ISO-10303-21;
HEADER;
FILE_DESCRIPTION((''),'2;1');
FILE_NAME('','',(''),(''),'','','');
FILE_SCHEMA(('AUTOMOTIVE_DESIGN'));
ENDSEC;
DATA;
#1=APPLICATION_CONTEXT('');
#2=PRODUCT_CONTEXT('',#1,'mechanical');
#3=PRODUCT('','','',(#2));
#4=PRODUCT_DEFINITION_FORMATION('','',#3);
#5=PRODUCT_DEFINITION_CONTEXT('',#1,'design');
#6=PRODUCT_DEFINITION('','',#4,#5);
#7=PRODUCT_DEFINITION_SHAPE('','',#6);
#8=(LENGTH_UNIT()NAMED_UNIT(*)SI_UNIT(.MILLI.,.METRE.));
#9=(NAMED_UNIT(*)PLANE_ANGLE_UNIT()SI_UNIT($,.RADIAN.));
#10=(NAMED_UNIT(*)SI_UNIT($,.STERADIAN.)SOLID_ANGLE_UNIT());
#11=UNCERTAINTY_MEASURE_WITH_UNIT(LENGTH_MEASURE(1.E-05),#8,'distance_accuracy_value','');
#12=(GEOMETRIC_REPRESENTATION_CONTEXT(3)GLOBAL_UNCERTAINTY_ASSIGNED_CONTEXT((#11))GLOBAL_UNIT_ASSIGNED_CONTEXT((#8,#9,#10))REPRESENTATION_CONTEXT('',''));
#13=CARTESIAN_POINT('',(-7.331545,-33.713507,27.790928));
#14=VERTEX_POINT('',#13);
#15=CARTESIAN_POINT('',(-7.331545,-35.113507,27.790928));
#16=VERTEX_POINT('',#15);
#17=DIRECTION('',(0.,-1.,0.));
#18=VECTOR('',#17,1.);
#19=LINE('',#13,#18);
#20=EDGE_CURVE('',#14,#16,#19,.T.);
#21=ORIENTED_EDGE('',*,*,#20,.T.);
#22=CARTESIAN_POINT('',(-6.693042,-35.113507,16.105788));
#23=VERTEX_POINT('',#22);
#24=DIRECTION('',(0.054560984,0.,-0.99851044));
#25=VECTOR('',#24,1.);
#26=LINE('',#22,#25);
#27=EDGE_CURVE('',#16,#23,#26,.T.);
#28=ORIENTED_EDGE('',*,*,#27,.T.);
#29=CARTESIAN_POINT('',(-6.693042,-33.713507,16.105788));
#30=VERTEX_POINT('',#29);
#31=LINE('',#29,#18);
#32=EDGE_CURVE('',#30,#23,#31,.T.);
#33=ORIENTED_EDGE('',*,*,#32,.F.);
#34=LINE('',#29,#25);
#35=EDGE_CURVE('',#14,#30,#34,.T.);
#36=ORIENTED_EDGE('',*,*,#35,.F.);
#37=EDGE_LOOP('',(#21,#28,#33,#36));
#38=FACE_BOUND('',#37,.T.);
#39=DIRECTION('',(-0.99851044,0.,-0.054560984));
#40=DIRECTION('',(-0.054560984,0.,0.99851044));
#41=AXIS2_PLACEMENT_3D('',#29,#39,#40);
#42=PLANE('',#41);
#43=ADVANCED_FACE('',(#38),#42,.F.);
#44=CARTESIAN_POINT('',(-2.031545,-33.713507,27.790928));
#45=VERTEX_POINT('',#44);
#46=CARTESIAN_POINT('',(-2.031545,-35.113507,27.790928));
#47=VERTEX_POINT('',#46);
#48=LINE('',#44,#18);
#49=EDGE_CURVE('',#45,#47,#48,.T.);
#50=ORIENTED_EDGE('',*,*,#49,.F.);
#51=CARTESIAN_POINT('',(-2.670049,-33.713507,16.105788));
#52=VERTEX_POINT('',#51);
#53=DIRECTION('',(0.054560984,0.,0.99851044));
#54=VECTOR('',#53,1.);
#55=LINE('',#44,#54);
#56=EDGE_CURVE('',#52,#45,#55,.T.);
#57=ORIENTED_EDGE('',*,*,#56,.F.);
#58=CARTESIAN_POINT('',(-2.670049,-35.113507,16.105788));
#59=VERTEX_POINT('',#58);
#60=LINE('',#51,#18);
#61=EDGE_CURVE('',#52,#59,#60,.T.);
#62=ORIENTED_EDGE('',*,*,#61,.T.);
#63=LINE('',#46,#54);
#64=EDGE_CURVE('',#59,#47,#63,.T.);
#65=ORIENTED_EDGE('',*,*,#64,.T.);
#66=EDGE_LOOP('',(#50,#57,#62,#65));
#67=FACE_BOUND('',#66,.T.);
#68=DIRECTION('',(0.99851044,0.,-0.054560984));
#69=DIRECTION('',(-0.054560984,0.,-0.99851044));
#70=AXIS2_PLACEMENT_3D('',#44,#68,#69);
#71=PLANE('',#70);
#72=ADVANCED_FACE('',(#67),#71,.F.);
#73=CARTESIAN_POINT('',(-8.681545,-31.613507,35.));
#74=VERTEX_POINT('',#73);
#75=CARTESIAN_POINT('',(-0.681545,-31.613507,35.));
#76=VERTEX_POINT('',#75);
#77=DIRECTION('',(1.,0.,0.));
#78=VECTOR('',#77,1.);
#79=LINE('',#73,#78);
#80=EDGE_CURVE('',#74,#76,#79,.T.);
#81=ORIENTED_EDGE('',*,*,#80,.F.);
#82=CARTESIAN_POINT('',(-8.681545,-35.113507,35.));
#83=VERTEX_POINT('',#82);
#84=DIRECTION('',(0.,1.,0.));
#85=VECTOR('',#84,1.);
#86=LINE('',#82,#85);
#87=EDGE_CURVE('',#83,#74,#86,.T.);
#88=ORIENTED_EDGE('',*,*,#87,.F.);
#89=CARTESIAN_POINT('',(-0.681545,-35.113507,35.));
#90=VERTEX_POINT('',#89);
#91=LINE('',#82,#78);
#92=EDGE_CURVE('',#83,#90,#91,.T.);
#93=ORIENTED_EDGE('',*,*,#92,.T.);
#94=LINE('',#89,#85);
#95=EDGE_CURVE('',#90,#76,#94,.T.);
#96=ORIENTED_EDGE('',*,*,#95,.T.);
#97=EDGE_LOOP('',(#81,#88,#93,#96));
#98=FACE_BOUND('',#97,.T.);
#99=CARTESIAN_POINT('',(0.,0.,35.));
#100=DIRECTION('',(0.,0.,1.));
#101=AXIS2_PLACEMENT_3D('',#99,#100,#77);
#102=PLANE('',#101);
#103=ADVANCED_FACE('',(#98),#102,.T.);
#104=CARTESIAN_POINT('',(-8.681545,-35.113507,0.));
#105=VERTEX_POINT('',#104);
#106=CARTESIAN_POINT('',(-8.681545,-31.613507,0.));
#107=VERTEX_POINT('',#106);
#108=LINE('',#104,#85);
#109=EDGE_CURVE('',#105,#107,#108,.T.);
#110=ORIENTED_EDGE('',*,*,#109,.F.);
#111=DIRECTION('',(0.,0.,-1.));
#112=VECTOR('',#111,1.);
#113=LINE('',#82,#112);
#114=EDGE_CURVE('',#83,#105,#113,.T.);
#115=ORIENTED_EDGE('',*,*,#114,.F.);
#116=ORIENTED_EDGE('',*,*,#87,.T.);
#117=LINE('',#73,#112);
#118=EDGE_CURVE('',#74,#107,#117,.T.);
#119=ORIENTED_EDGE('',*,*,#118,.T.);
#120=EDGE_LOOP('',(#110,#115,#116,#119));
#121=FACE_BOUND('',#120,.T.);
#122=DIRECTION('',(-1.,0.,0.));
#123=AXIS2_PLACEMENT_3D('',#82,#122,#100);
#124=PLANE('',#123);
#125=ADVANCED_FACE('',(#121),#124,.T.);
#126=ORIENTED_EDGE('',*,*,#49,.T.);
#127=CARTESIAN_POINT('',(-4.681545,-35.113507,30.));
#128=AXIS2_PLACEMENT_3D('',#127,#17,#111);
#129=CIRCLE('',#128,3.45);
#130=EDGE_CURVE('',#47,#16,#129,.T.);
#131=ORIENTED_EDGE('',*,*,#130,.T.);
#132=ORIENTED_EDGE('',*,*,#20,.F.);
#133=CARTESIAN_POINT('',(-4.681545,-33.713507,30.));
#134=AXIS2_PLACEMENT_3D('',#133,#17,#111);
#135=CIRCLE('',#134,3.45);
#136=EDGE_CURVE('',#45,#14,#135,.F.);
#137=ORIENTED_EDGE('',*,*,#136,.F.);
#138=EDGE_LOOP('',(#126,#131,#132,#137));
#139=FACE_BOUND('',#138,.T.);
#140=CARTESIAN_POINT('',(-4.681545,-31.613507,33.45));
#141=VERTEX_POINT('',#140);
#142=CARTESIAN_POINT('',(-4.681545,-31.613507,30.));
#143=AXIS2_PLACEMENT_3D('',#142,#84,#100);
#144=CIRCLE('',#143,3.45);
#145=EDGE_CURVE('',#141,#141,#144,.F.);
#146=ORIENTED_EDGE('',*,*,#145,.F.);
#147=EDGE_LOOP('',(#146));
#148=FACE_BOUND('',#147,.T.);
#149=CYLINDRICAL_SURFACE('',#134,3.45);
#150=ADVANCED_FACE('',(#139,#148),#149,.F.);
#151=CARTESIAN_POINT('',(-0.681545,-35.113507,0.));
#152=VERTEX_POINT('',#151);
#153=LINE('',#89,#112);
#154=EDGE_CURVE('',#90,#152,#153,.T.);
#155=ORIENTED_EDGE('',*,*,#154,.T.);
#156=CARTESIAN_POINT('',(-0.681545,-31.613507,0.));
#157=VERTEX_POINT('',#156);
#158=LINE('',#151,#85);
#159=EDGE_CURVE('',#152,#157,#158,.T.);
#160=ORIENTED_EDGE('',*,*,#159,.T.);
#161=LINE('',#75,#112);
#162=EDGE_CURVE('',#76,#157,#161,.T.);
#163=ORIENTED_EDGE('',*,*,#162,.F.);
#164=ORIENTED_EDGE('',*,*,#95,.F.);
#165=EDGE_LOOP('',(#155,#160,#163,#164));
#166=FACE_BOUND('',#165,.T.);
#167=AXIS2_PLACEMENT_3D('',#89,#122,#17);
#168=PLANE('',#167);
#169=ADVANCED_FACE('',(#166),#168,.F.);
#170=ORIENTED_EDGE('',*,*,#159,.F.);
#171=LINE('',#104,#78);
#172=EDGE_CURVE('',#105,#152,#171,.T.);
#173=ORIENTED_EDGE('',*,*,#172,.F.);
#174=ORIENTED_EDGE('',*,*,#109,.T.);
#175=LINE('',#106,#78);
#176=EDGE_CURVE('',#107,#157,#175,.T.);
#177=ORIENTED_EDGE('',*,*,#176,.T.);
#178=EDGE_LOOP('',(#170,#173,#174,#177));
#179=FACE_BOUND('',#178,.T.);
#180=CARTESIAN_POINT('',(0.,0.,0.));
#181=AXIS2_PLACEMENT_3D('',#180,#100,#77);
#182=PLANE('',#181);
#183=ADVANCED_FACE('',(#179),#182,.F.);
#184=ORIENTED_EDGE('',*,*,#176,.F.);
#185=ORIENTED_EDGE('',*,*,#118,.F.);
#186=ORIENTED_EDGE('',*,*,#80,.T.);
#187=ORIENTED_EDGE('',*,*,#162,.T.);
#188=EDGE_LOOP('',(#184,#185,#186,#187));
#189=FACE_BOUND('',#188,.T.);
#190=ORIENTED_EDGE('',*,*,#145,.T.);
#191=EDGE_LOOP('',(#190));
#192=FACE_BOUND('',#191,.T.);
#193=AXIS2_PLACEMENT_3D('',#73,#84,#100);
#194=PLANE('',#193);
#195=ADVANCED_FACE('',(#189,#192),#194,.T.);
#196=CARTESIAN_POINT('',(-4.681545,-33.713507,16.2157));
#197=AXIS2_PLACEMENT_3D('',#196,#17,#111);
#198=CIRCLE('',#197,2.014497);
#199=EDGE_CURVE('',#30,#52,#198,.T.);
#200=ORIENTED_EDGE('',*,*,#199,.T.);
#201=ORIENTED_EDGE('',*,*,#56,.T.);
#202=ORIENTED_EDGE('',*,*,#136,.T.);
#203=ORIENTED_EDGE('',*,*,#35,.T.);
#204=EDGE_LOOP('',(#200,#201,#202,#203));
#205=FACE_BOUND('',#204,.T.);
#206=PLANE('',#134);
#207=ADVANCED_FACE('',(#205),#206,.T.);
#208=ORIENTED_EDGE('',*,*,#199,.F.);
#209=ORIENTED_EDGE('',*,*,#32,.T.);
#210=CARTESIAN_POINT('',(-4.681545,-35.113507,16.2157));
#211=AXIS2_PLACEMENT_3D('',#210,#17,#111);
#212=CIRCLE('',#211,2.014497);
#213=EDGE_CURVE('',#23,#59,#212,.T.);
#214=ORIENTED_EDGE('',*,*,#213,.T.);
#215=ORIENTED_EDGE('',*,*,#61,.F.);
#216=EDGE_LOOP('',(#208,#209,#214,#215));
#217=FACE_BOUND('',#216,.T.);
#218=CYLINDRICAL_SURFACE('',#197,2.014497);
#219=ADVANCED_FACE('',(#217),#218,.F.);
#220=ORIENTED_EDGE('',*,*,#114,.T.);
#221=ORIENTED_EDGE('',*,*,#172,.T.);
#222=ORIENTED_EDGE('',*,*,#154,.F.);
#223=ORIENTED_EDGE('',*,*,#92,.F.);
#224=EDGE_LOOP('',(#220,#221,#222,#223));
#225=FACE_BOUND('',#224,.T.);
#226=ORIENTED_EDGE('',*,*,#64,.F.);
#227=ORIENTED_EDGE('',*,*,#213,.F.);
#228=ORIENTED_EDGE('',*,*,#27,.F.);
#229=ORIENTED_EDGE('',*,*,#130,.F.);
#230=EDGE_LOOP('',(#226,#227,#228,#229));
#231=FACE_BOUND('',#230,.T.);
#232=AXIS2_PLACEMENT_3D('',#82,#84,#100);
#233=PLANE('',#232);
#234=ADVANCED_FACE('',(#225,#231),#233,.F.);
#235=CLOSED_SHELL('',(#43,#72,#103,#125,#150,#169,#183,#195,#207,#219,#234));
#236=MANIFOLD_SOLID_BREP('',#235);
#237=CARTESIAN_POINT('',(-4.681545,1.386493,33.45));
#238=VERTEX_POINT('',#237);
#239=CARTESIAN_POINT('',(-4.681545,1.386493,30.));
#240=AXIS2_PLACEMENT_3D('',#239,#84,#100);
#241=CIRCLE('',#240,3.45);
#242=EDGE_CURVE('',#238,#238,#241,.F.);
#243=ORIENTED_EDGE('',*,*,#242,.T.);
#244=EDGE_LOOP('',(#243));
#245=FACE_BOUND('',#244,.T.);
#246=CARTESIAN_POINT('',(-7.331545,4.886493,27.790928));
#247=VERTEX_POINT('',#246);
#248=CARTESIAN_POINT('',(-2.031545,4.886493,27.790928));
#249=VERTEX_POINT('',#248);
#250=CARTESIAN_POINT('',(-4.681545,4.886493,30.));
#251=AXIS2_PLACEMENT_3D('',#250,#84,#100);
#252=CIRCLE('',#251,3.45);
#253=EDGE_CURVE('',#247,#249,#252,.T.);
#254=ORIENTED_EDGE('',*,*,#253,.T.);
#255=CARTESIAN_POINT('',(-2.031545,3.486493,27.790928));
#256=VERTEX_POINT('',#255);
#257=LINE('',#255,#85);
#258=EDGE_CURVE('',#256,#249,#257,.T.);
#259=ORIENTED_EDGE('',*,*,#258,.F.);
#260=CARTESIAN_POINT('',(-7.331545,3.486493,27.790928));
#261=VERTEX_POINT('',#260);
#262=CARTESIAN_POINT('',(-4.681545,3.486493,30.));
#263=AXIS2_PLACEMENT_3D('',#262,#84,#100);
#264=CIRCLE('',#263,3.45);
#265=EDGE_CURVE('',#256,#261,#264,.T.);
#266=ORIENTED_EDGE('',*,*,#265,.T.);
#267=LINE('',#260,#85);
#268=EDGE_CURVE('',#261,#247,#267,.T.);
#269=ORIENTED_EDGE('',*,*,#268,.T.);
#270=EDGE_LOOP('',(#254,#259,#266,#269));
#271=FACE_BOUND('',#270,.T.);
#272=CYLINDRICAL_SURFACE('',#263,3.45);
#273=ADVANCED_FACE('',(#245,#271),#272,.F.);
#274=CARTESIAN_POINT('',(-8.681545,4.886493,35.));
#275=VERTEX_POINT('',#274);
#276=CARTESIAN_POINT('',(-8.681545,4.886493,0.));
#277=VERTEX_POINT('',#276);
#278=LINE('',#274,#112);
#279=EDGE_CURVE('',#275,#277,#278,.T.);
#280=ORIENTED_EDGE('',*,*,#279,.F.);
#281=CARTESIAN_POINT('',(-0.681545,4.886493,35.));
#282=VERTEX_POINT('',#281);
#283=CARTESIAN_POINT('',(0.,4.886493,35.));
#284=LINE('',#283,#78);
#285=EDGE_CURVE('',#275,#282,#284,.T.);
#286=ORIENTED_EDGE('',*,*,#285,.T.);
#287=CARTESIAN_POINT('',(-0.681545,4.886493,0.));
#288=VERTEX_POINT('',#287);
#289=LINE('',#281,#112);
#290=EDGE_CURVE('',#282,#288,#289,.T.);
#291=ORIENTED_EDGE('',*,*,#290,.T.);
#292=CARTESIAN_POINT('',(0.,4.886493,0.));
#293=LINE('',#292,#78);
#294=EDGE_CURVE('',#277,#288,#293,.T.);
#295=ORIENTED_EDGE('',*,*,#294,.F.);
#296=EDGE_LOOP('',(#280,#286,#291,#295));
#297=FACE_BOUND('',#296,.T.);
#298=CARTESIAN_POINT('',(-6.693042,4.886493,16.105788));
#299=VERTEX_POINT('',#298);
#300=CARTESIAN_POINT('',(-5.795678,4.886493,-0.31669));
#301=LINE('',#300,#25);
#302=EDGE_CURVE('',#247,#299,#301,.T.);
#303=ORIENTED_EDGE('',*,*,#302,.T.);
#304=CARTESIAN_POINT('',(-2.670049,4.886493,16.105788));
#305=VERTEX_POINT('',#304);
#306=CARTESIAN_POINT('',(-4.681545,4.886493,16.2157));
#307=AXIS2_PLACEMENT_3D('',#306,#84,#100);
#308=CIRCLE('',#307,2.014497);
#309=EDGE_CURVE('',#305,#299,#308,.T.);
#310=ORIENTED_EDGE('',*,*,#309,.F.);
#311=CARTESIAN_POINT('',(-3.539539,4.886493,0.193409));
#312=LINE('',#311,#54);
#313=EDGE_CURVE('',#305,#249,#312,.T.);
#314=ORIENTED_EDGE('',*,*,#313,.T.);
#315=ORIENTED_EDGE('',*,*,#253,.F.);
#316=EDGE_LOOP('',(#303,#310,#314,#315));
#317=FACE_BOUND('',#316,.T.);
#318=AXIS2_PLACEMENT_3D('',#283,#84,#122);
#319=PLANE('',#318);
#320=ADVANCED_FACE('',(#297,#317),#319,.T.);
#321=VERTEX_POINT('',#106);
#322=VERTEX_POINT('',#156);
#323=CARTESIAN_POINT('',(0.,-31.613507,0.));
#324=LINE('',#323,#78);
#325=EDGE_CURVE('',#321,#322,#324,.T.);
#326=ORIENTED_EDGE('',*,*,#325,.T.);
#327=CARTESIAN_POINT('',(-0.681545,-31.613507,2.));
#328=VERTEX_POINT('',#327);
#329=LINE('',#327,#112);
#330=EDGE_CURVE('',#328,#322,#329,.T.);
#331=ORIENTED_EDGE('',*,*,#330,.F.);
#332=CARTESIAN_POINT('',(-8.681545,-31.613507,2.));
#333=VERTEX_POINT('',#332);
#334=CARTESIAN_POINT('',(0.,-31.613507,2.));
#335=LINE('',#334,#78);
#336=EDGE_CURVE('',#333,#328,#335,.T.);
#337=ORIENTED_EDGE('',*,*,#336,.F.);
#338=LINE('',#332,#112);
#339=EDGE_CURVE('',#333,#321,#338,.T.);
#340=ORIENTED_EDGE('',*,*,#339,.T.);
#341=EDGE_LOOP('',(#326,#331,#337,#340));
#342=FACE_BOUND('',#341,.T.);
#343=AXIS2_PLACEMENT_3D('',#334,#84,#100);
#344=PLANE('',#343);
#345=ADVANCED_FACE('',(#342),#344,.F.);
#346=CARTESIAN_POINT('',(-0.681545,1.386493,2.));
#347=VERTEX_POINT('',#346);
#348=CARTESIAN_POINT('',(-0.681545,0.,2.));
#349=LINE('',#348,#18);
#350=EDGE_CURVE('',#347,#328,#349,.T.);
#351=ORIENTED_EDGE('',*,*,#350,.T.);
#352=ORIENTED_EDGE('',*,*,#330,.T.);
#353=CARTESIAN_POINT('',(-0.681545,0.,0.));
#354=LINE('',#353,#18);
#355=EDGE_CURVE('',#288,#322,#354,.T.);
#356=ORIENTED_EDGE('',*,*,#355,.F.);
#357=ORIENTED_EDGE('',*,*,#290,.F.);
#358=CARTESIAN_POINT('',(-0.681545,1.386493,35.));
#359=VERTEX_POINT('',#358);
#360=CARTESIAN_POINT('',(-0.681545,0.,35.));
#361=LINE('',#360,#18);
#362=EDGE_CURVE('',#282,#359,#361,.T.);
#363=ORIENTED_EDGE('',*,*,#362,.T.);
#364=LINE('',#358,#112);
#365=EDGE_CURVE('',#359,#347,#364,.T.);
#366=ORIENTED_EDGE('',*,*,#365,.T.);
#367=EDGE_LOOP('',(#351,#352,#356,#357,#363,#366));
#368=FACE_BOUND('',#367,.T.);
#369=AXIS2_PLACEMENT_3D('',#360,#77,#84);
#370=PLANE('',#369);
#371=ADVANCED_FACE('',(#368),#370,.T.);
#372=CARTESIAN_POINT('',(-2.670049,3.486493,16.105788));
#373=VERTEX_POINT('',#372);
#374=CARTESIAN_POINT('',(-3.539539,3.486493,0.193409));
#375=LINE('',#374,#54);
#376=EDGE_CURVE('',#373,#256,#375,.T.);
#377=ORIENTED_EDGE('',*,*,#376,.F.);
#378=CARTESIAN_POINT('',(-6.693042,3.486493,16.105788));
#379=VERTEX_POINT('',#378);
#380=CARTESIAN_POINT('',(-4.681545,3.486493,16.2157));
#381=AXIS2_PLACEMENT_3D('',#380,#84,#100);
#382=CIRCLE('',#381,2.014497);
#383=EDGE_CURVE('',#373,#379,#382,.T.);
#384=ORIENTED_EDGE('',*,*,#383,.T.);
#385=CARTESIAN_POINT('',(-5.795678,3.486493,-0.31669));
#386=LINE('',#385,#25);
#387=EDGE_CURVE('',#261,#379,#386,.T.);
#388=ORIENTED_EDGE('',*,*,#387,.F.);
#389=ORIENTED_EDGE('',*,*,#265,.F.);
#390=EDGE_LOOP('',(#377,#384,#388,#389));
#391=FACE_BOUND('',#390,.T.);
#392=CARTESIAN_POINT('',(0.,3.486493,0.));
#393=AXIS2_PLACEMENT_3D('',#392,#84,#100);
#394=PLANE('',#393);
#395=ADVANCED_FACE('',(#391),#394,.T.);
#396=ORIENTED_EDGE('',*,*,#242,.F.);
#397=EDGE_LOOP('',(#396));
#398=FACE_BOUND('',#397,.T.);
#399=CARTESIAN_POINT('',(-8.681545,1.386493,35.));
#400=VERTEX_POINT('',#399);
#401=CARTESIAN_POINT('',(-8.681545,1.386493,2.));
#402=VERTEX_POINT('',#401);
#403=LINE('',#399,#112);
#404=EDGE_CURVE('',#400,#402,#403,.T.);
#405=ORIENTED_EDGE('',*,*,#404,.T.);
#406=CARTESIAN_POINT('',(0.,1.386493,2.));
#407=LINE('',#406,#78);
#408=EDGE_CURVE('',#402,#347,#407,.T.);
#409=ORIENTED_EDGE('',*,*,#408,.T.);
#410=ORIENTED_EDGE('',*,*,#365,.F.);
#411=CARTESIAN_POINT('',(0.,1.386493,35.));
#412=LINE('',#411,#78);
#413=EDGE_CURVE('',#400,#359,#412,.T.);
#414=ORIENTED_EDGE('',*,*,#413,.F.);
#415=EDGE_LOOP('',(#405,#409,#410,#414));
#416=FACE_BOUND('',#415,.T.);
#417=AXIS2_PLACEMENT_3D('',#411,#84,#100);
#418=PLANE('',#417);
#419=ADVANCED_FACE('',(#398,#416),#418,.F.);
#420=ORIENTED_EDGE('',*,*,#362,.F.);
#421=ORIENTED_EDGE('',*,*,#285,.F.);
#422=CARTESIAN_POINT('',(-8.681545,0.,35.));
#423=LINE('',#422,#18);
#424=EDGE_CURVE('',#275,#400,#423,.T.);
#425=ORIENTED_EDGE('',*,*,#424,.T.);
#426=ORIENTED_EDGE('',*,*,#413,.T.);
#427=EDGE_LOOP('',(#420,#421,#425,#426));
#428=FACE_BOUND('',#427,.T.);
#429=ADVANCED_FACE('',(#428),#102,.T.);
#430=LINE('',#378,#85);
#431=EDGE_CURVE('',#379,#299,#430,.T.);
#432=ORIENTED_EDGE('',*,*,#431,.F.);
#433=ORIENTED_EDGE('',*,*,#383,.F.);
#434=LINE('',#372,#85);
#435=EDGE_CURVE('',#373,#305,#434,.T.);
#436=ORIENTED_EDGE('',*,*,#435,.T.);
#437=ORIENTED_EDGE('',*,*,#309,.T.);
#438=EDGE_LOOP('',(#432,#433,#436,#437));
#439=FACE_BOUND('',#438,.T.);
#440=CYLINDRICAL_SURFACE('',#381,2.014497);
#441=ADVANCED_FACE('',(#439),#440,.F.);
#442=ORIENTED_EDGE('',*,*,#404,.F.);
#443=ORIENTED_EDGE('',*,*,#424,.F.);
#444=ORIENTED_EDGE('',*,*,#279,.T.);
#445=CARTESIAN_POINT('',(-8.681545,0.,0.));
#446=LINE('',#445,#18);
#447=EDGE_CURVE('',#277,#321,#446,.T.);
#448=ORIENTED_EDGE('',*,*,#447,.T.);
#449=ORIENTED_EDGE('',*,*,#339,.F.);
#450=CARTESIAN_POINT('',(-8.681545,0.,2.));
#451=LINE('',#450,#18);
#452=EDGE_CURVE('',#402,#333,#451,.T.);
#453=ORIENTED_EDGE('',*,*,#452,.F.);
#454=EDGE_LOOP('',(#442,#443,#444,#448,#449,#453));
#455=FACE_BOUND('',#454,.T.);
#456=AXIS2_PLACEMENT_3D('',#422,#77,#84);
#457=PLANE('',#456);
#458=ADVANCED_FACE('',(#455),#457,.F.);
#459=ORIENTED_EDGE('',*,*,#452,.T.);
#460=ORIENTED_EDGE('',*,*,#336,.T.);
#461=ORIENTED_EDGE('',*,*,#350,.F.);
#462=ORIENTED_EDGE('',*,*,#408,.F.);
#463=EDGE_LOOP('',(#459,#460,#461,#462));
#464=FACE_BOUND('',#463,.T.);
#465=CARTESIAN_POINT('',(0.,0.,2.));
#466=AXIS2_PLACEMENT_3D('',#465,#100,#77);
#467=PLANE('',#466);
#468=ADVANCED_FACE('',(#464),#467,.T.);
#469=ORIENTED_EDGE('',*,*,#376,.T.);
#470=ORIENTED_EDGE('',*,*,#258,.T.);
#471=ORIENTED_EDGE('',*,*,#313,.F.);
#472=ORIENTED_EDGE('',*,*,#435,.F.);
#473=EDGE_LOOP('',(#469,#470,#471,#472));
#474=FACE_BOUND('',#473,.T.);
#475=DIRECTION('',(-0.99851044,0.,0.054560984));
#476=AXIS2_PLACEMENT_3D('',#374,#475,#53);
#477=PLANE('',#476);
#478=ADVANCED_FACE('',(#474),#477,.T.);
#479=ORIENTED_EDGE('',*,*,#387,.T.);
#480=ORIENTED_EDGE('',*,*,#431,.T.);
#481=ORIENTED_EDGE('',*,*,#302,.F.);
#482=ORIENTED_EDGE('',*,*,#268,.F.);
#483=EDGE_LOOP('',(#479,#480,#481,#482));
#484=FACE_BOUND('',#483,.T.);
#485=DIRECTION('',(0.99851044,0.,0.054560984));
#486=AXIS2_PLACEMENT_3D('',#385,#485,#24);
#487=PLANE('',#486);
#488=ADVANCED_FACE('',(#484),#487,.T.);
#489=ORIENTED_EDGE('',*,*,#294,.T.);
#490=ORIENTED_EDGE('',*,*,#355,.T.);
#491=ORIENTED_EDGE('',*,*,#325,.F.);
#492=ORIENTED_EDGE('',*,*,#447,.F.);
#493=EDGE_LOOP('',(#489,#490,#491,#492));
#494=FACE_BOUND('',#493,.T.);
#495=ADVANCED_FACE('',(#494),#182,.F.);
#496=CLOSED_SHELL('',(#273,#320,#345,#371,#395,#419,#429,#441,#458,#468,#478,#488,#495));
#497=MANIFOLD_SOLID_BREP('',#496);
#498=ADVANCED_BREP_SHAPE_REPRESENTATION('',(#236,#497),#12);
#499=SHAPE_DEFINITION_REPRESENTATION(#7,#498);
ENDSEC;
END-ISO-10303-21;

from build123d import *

# Parameters (mm, degrees)
BOSS_EXTRUDE2_DEPTH   = 35
BOSS_EXTRUDE2_2_DEPTH = 35
BOSS_EXTRUDE3_DEPTH   = 2
CUT_EXTRUDE2_DEPTH    = 1.4
SKETCH5_R             = 3.450000000000001
CUT_EXTRUDE3_DEPTH    = 2.1
CUT_EXTRUDE4_START    = -1.4
CUT_EXTRUDE4_DEPTH    = 1.4
CUT_EXTRUDE5_START    = -3.5
SKETCH7_R             = 3.4500000000000144
CUT_EXTRUDE5_DEPTH    = 2.1


with BuildPart() as part:
    # Sketch2 → Boss-Extrude2 (new body)
    with BuildSketch(Plane.XY):
        Polygon((-0.6815453945675554, 4.886493048426679), (-8.681545394567557, 4.88649304842668), (-8.681545394567557, 1.3864930484266802), (-0.6815453945675554, 1.3864930484266802), align=None)
    extrude(amount=BOSS_EXTRUDE2_DEPTH)

    # Sketch2<3> → Boss-Extrude3 (add)
    with BuildSketch(Plane.XY):
        Polygon((-0.6815453945675554, 1.3864930484266802), (-8.681545394567557, 1.3864930484266802), (-8.681545394567554, -31.61350695157332), (-0.6815453945675483, -31.61350695157332), align=None)
    extrude(amount=BOSS_EXTRUDE3_DEPTH)

    # Sketch3 → Cut-Extrude2 (cut)
    with BuildSketch(Plane(origin=(5.3e-16, 4.886493048426679, 0), x_dir=(1, 0, 0), z_dir=(0, 1, 0))):
        with BuildLine():
            Line((-2.670049230365411, -16.10578751916768), (-2.031545394567679, -27.790927796562404))
            ThreePointArc((-2.031545394567679, -27.790927796562404), (-4.681545394567368, -33.45), (-7.331545394567679, -27.7909277965627))
            Line((-7.331545394567679, -27.7909277965627), (-6.6930415587699335, -16.10578751916768))
            ThreePointArc((-6.6930415587699335, -16.10578751916768), (-4.681545394567673, -14.201203572244038), (-2.670049230365411, -16.10578751916768))
        make_face()
    extrude(amount=-CUT_EXTRUDE2_DEPTH, mode=Mode.SUBTRACT)

    # Sketch5 → Cut-Extrude3 (cut)
    with BuildSketch(Plane(origin=(0, 3.4864930484266785, 0), x_dir=(1, 0, 0), z_dir=(0, 1, 0))):
        with Locations(Location((-4.681545394567557, -30.000000000000004, 0), (0, 0, 270))):
            Circle(SKETCH5_R)
    extrude(amount=-CUT_EXTRUDE3_DEPTH, mode=Mode.SUBTRACT)


with BuildPart() as body_2:
    # Sketch2 → Boss-Extrude2 2 (new body)
    with BuildSketch(Plane.XY):
        Polygon((-8.681545394567554, -35.11350695157332), (-8.681545394567554, -31.61350695157332), (-0.6815453945675478, -31.61350695157332), (-0.6815453945675509, -35.11350695157332), align=None)
    extrude(amount=BOSS_EXTRUDE2_2_DEPTH)

    # Sketch6 → Cut-Extrude4 (cut)
    with BuildSketch(Plane.XZ.offset(35.11350695157332).offset(CUT_EXTRUDE4_START)):
        with BuildLine():
            Line((-6.693041558769597, 16.105787519167798), (-7.331545394567415, 27.790927796562364))
            ThreePointArc((-7.331545394567415, 27.790927796562364), (-4.681545394567741, 33.45000000000002), (-2.0315453945674466, 27.790927796562656))
            Line((-2.0315453945674466, 27.790927796562656), (-2.670049230365082, 16.10578751916783))
            ThreePointArc((-2.670049230365082, 16.10578751916783), (-4.681545394567325, 14.201203572244175), (-6.693041558769597, 16.105787519167798))
        make_face()
    extrude(amount=CUT_EXTRUDE4_DEPTH, mode=Mode.SUBTRACT)

    # Sketch7 → Cut-Extrude5 (cut)
    with BuildSketch(Plane.XZ.offset(35.11350695157332).offset(CUT_EXTRUDE5_START)):
        with Locations(Location((-4.681545394567552, 30.000000000000004, 0), (0, 0, 219.814997755))):
            Circle(SKETCH7_R)
    extrude(amount=CUT_EXTRUDE5_DEPTH, mode=Mode.SUBTRACT)


solid = Compound([part.part, body_2.part])
